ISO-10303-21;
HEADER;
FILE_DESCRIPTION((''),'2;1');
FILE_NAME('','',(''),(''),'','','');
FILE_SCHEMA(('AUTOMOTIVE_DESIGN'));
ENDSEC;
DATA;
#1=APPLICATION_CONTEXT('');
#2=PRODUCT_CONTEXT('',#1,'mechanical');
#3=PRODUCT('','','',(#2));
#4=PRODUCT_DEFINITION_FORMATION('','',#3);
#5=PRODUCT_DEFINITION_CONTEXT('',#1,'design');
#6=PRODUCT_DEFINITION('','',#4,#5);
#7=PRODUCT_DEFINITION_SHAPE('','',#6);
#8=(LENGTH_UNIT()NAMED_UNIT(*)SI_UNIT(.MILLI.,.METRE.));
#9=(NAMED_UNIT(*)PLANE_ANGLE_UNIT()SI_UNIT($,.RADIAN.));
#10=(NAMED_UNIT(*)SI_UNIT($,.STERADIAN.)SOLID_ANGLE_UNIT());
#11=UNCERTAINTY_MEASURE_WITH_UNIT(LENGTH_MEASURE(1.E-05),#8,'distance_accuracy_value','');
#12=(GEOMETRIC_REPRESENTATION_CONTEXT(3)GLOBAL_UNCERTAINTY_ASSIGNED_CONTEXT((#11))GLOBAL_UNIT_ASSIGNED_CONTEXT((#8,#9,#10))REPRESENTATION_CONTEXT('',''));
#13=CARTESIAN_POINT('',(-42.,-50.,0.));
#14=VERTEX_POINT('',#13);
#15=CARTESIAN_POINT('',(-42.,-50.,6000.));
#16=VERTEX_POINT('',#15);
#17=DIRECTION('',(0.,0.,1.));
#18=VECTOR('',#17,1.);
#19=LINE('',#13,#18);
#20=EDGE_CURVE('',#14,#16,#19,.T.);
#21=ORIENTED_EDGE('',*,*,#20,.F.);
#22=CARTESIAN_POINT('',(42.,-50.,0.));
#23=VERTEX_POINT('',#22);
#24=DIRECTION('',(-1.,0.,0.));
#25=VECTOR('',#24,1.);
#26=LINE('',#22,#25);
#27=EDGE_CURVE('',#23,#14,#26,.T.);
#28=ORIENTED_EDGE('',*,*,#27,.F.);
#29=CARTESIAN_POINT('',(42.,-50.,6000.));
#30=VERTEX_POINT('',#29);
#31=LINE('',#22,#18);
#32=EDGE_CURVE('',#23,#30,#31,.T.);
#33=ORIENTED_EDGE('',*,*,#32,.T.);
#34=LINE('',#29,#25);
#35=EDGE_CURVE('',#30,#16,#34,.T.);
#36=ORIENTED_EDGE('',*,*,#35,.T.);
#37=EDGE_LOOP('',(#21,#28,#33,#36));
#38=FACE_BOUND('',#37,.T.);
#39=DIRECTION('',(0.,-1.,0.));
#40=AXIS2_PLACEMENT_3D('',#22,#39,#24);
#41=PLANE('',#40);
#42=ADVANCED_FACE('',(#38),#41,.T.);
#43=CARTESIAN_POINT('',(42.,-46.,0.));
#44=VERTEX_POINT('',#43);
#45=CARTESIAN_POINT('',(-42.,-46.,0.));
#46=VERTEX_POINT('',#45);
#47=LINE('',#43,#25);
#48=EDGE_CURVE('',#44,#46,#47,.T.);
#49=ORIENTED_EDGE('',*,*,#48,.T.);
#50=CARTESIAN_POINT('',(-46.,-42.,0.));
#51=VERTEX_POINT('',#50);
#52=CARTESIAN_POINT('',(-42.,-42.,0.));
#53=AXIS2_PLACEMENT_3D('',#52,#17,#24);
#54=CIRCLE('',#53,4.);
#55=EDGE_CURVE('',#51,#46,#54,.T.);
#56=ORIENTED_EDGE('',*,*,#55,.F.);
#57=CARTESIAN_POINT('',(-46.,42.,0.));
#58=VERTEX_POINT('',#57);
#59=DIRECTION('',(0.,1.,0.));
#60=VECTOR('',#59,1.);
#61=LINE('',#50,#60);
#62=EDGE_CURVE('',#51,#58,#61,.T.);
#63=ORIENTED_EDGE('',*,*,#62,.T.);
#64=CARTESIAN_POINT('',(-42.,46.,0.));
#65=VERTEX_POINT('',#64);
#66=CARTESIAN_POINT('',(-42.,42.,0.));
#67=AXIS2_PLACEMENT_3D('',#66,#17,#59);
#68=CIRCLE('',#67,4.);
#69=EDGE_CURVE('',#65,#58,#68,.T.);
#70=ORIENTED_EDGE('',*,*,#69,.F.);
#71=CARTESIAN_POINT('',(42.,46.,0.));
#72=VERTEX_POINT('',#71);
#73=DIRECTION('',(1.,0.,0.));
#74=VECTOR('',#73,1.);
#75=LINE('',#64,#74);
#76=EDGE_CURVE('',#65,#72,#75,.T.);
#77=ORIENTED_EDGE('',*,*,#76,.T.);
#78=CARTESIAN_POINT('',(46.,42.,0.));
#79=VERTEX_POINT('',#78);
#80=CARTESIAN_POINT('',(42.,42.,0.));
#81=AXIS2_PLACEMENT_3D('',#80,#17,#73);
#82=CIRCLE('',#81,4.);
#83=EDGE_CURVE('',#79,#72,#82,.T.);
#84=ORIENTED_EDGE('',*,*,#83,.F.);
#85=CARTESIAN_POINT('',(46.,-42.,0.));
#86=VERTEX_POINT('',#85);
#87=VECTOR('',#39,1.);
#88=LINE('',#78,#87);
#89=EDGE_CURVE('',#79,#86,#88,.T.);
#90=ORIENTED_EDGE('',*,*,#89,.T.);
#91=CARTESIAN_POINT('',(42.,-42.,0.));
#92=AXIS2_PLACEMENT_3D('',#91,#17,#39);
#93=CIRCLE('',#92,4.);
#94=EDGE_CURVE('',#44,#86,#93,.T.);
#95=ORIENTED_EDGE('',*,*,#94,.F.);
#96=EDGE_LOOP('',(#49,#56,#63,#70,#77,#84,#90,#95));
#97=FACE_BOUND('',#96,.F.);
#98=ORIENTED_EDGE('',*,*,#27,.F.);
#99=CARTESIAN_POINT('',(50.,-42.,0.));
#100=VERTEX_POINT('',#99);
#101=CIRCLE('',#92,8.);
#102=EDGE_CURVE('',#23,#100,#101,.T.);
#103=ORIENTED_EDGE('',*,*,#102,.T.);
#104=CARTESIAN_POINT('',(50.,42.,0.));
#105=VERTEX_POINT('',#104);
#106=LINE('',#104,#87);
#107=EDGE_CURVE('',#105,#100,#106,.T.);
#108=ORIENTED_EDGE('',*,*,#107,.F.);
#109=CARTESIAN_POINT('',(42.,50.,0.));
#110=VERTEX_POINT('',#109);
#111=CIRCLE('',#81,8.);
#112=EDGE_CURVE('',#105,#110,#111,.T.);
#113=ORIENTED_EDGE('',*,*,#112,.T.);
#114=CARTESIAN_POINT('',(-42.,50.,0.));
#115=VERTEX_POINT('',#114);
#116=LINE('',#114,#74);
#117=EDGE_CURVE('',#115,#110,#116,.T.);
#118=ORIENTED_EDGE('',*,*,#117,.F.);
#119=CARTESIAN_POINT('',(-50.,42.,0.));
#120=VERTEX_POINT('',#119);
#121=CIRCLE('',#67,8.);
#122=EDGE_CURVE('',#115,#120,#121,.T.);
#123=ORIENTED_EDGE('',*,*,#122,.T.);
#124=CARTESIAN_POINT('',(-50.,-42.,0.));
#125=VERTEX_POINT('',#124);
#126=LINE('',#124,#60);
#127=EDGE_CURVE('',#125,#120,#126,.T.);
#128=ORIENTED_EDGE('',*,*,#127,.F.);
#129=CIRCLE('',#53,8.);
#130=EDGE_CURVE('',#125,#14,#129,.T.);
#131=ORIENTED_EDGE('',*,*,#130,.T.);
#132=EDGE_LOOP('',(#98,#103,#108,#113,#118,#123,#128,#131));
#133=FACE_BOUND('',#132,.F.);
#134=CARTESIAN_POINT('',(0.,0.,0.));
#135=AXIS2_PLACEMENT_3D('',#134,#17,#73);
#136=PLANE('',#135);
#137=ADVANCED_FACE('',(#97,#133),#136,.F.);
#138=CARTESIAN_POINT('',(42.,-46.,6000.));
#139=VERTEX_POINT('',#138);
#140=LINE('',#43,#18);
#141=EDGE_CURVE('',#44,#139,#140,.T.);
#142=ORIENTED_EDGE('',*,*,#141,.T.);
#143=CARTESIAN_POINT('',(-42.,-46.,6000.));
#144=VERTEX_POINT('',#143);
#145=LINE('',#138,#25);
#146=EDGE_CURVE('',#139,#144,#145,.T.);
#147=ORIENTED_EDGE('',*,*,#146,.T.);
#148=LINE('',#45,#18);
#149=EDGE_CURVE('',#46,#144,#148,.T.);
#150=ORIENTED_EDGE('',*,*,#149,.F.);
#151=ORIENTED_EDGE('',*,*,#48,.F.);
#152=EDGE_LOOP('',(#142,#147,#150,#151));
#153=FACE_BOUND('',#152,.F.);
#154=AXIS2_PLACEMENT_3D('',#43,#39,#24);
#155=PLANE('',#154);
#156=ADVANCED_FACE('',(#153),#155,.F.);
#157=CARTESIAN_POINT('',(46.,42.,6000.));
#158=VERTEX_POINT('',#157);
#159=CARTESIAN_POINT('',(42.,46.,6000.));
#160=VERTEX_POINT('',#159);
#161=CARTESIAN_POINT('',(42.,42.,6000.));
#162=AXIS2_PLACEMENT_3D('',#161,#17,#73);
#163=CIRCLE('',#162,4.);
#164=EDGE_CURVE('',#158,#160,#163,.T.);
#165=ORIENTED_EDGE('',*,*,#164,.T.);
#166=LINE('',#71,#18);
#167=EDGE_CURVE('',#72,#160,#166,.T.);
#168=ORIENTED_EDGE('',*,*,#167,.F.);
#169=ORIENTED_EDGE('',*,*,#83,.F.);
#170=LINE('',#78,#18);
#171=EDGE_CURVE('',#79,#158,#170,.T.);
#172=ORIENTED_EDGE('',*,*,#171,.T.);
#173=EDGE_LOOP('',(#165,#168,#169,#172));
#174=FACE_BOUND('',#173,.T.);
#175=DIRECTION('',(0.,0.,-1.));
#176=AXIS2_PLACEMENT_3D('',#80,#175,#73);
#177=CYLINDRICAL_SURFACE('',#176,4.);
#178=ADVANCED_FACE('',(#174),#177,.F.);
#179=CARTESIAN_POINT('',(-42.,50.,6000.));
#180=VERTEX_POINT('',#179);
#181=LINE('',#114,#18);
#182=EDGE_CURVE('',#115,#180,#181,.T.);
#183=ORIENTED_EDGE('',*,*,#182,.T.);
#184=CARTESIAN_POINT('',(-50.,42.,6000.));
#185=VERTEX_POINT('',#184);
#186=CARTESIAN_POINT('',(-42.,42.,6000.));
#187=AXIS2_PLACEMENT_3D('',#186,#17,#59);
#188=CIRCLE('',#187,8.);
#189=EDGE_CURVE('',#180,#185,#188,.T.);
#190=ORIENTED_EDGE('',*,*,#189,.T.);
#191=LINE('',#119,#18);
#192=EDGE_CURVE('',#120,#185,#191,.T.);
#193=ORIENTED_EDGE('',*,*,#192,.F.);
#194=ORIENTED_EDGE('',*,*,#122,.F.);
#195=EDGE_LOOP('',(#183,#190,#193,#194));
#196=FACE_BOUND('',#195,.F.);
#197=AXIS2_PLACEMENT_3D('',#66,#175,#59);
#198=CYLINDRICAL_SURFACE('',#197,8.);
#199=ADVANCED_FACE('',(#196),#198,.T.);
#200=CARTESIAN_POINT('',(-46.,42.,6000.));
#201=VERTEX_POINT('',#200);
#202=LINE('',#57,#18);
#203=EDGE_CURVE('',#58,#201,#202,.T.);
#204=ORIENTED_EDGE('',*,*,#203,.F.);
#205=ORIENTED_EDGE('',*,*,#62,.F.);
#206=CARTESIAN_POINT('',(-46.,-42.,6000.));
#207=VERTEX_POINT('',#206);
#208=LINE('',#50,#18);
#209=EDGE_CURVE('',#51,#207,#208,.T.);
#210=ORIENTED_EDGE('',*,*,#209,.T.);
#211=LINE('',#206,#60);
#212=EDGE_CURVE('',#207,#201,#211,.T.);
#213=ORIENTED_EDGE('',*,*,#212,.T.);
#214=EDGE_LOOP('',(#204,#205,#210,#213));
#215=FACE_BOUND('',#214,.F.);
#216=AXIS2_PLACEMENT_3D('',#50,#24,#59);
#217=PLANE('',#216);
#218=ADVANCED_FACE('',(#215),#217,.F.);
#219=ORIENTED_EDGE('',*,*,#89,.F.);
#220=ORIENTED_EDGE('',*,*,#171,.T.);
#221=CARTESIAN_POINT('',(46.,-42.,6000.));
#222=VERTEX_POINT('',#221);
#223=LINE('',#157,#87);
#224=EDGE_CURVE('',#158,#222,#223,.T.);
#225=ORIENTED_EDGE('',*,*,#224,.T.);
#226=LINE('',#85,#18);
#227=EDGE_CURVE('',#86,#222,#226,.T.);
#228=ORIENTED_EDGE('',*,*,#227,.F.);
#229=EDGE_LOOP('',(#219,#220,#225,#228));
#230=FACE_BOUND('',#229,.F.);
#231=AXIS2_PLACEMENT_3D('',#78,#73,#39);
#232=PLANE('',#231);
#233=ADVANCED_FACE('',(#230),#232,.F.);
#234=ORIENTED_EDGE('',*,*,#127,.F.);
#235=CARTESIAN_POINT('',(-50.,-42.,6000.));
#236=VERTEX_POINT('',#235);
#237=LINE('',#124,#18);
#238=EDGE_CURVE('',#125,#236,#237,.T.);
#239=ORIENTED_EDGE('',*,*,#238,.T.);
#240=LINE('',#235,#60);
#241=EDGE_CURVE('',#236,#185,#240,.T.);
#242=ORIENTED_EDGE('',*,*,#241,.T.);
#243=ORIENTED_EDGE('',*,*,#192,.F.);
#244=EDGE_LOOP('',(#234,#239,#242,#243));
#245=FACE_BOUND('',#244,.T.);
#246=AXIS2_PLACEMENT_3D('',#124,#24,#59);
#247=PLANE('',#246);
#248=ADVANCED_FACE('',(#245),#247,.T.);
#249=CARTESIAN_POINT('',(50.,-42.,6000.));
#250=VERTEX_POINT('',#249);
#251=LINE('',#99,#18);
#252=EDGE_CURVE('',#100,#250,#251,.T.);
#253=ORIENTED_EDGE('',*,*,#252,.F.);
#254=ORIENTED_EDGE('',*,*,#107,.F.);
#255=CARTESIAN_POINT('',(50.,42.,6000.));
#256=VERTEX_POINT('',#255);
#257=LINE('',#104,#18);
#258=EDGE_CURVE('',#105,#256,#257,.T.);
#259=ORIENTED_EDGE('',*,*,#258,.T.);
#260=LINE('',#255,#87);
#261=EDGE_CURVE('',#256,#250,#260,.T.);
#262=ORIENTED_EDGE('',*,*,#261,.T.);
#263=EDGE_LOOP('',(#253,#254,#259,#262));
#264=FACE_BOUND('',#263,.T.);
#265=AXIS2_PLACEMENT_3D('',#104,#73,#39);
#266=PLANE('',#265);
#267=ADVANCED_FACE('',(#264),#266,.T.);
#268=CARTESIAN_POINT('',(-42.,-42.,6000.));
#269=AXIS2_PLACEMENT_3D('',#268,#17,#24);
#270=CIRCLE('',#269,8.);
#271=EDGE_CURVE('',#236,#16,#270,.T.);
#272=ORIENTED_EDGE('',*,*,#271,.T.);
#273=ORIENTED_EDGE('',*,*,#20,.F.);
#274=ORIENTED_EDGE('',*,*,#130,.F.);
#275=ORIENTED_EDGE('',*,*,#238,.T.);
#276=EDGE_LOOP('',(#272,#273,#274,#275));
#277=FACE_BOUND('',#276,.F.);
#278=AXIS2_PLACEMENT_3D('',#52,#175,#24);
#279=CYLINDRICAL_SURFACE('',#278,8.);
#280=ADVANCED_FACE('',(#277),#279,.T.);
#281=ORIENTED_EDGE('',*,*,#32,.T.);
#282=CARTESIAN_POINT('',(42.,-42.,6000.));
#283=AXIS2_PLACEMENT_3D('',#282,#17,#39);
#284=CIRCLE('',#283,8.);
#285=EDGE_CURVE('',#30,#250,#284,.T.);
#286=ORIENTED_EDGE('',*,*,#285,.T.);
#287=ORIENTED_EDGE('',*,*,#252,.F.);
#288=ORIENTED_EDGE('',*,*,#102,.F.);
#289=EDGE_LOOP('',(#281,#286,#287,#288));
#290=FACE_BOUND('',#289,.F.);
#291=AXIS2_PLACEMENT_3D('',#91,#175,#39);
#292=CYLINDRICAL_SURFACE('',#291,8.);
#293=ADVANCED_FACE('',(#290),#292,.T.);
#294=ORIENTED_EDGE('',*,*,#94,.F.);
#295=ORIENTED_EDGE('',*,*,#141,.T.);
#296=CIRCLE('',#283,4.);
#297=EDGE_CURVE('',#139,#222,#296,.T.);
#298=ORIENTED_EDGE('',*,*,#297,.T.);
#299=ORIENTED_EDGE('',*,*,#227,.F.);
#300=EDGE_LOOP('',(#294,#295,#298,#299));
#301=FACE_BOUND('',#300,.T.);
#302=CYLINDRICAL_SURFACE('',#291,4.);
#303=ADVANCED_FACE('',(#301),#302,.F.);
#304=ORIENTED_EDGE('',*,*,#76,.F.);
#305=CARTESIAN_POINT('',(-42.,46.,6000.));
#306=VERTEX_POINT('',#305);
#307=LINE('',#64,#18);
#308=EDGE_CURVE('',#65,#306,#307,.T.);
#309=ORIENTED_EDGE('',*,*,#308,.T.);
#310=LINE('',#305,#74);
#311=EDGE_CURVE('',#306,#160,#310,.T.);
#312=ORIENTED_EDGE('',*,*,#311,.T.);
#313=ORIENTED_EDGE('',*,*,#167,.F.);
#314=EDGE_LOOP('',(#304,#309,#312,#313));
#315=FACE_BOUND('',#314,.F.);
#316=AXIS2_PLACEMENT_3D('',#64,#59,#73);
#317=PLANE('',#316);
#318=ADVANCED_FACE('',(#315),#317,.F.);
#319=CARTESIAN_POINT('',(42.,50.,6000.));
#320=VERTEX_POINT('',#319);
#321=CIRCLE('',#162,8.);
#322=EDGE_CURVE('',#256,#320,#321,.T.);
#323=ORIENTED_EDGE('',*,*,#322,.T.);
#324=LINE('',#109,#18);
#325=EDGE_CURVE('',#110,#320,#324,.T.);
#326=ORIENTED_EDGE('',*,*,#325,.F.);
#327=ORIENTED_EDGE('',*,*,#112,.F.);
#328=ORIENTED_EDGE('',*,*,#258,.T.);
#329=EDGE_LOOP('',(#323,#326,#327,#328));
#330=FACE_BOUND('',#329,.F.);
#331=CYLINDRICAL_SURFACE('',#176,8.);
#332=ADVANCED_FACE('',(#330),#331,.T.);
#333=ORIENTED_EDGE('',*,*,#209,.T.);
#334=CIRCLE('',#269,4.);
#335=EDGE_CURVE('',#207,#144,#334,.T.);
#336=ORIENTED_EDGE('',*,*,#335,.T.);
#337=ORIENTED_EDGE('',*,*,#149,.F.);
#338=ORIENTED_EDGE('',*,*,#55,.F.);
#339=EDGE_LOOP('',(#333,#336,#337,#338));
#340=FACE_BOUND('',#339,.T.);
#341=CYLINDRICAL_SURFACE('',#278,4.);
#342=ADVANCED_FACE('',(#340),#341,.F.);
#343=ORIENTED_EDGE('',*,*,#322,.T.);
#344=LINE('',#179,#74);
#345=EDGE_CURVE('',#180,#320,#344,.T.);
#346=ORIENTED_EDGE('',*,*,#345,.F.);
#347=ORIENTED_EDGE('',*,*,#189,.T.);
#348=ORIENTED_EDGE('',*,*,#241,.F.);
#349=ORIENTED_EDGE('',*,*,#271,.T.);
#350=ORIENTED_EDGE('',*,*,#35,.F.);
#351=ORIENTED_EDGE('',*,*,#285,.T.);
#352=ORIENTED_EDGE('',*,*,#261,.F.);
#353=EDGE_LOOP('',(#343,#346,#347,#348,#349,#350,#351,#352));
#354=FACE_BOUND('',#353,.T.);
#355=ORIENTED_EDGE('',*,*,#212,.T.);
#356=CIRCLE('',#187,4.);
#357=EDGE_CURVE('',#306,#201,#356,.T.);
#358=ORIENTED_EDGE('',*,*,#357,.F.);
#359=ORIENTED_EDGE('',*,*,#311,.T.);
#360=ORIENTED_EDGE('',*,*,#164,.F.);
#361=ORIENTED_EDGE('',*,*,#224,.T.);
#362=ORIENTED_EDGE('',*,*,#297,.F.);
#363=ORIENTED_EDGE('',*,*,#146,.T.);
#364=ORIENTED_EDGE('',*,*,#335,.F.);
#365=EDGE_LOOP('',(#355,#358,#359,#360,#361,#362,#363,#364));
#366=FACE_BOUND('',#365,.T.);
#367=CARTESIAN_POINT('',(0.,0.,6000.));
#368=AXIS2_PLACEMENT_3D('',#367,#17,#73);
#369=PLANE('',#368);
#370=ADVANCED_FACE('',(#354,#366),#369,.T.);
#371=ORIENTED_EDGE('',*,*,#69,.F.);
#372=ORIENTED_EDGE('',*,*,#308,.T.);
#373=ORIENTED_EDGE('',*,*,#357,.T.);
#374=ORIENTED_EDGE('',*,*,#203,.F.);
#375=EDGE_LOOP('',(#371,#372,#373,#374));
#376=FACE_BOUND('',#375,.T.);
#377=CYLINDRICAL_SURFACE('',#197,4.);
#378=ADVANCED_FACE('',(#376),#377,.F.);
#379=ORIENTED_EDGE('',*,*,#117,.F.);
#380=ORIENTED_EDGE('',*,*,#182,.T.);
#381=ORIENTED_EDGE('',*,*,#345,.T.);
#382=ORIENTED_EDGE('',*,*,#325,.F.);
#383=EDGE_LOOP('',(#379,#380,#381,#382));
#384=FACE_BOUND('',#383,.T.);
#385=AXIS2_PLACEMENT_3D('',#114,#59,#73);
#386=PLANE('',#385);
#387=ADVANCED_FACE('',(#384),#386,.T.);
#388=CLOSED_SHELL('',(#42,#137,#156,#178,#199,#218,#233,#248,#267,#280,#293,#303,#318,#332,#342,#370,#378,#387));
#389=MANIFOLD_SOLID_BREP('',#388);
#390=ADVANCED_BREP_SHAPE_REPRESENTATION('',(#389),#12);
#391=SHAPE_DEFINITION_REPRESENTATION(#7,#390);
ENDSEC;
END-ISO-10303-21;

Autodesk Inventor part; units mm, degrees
ref_plane "YZ Plane" through (0, 0, 0) normal (1, 0, 0) x (0, 1, 0)
ref_plane "Start Plane" through (0, 0, 0) normal (0, 0, 1) x (1, 0, 0)
ref_plane "End Plane" through (0, 0, 6000) normal (0, 0, 1) x (1, 0, 0)
sketch "Sketch" plane through (0, 0, 0) normal (0, 0, 1) x (1, 0, 0)
  line L0 (-50, -42) -> (-50, 42)
  line L1 (-42, 50) -> (42, 50)
  line L2 (50, 42) -> (50, -42)
  line L3 (42, -50) -> (-42, -50)
  arc A0 (-50, -42) -> (-42, -50) centre (-42, -42) ccw
  arc A1 (50, 42) -> (42, 50) centre (42, 42) ccw
  arc A2 (-42, 50) -> (-50, 42) centre (-42, 42) ccw
  arc A3 (42, -50) -> (50, -42) centre (42, -42) ccw
  arc A4 (-42, 46) -> (-46, 42) centre (-42, 42) ccw
  line L4 (-42, 46) -> (42, 46)
  arc A5 (46, 42) -> (42, 46) centre (42, 42) ccw
  line L5 (46, 42) -> (46, -42)
  arc A6 (42, -46) -> (46, -42) centre (42, -42) ccw
  line L6 (42, -46) -> (-42, -46)
  arc A7 (-46, -42) -> (-42, -46) centre (-42, -42) ccw
  line L7 (-46, -42) -> (-46, 42)
  line L8 (0, 72.3196) -> (0, -72.3196) construction
  line L9 (-72.3196, 0) -> (72.3196, 0) construction
  dimension "d7" = 8
  dimension "d9" = 100
  dimension "d11" = 100
  dimension "d12" = 4
  dimension "d15" = 50
  dimension "d16" = 50
extrude "Body" add sketch "Sketch" along normal up to surface (6000 mm away) from surface at 0
sketch "Sketch3" plane through (0, 0, 0) normal (0, 0, 1) x (1, 0, 0)
  line L0 (0, 0) -> (10, 0)
ref_plane "Work Plane3" through (0, 0, 0) normal (0, -1, 0) x (1, 0, 0)
sketch "Sketch4" plane through (0, 0, 0) normal (0, -1, 0) x (1, 0, 0)
  line L0 (-2, 0) -> (12, 0) projected
  line L1 (-2, 6000) -> (12, 6000) projected
  dimension "d18" = 6000
equation "\"d7\" = G_IR"
equation "\"d9\" = G_W"
equation "\"d11\" = G_H"
equation "\"d12\" = G_T"
equation "\"d15\" = 0.5 * d9"
equation "\"d16\" = 0.5 * d11"
equation "\"d3\" = G_L"
equation "\"G_W\" = 100"
equation "\"G_H\" = 100"
equation "\"G_T\" = 4"
equation "\"G_IR\" = 8"
equation "\"G_L\" = d18"
equation "\"G_OFFSET_START\" = 0"
equation "\"G_OFFSET_END\" = 0"
properties part number "ISO 4019 - 100x100x4 - 6000" material "Steel, Mild"
